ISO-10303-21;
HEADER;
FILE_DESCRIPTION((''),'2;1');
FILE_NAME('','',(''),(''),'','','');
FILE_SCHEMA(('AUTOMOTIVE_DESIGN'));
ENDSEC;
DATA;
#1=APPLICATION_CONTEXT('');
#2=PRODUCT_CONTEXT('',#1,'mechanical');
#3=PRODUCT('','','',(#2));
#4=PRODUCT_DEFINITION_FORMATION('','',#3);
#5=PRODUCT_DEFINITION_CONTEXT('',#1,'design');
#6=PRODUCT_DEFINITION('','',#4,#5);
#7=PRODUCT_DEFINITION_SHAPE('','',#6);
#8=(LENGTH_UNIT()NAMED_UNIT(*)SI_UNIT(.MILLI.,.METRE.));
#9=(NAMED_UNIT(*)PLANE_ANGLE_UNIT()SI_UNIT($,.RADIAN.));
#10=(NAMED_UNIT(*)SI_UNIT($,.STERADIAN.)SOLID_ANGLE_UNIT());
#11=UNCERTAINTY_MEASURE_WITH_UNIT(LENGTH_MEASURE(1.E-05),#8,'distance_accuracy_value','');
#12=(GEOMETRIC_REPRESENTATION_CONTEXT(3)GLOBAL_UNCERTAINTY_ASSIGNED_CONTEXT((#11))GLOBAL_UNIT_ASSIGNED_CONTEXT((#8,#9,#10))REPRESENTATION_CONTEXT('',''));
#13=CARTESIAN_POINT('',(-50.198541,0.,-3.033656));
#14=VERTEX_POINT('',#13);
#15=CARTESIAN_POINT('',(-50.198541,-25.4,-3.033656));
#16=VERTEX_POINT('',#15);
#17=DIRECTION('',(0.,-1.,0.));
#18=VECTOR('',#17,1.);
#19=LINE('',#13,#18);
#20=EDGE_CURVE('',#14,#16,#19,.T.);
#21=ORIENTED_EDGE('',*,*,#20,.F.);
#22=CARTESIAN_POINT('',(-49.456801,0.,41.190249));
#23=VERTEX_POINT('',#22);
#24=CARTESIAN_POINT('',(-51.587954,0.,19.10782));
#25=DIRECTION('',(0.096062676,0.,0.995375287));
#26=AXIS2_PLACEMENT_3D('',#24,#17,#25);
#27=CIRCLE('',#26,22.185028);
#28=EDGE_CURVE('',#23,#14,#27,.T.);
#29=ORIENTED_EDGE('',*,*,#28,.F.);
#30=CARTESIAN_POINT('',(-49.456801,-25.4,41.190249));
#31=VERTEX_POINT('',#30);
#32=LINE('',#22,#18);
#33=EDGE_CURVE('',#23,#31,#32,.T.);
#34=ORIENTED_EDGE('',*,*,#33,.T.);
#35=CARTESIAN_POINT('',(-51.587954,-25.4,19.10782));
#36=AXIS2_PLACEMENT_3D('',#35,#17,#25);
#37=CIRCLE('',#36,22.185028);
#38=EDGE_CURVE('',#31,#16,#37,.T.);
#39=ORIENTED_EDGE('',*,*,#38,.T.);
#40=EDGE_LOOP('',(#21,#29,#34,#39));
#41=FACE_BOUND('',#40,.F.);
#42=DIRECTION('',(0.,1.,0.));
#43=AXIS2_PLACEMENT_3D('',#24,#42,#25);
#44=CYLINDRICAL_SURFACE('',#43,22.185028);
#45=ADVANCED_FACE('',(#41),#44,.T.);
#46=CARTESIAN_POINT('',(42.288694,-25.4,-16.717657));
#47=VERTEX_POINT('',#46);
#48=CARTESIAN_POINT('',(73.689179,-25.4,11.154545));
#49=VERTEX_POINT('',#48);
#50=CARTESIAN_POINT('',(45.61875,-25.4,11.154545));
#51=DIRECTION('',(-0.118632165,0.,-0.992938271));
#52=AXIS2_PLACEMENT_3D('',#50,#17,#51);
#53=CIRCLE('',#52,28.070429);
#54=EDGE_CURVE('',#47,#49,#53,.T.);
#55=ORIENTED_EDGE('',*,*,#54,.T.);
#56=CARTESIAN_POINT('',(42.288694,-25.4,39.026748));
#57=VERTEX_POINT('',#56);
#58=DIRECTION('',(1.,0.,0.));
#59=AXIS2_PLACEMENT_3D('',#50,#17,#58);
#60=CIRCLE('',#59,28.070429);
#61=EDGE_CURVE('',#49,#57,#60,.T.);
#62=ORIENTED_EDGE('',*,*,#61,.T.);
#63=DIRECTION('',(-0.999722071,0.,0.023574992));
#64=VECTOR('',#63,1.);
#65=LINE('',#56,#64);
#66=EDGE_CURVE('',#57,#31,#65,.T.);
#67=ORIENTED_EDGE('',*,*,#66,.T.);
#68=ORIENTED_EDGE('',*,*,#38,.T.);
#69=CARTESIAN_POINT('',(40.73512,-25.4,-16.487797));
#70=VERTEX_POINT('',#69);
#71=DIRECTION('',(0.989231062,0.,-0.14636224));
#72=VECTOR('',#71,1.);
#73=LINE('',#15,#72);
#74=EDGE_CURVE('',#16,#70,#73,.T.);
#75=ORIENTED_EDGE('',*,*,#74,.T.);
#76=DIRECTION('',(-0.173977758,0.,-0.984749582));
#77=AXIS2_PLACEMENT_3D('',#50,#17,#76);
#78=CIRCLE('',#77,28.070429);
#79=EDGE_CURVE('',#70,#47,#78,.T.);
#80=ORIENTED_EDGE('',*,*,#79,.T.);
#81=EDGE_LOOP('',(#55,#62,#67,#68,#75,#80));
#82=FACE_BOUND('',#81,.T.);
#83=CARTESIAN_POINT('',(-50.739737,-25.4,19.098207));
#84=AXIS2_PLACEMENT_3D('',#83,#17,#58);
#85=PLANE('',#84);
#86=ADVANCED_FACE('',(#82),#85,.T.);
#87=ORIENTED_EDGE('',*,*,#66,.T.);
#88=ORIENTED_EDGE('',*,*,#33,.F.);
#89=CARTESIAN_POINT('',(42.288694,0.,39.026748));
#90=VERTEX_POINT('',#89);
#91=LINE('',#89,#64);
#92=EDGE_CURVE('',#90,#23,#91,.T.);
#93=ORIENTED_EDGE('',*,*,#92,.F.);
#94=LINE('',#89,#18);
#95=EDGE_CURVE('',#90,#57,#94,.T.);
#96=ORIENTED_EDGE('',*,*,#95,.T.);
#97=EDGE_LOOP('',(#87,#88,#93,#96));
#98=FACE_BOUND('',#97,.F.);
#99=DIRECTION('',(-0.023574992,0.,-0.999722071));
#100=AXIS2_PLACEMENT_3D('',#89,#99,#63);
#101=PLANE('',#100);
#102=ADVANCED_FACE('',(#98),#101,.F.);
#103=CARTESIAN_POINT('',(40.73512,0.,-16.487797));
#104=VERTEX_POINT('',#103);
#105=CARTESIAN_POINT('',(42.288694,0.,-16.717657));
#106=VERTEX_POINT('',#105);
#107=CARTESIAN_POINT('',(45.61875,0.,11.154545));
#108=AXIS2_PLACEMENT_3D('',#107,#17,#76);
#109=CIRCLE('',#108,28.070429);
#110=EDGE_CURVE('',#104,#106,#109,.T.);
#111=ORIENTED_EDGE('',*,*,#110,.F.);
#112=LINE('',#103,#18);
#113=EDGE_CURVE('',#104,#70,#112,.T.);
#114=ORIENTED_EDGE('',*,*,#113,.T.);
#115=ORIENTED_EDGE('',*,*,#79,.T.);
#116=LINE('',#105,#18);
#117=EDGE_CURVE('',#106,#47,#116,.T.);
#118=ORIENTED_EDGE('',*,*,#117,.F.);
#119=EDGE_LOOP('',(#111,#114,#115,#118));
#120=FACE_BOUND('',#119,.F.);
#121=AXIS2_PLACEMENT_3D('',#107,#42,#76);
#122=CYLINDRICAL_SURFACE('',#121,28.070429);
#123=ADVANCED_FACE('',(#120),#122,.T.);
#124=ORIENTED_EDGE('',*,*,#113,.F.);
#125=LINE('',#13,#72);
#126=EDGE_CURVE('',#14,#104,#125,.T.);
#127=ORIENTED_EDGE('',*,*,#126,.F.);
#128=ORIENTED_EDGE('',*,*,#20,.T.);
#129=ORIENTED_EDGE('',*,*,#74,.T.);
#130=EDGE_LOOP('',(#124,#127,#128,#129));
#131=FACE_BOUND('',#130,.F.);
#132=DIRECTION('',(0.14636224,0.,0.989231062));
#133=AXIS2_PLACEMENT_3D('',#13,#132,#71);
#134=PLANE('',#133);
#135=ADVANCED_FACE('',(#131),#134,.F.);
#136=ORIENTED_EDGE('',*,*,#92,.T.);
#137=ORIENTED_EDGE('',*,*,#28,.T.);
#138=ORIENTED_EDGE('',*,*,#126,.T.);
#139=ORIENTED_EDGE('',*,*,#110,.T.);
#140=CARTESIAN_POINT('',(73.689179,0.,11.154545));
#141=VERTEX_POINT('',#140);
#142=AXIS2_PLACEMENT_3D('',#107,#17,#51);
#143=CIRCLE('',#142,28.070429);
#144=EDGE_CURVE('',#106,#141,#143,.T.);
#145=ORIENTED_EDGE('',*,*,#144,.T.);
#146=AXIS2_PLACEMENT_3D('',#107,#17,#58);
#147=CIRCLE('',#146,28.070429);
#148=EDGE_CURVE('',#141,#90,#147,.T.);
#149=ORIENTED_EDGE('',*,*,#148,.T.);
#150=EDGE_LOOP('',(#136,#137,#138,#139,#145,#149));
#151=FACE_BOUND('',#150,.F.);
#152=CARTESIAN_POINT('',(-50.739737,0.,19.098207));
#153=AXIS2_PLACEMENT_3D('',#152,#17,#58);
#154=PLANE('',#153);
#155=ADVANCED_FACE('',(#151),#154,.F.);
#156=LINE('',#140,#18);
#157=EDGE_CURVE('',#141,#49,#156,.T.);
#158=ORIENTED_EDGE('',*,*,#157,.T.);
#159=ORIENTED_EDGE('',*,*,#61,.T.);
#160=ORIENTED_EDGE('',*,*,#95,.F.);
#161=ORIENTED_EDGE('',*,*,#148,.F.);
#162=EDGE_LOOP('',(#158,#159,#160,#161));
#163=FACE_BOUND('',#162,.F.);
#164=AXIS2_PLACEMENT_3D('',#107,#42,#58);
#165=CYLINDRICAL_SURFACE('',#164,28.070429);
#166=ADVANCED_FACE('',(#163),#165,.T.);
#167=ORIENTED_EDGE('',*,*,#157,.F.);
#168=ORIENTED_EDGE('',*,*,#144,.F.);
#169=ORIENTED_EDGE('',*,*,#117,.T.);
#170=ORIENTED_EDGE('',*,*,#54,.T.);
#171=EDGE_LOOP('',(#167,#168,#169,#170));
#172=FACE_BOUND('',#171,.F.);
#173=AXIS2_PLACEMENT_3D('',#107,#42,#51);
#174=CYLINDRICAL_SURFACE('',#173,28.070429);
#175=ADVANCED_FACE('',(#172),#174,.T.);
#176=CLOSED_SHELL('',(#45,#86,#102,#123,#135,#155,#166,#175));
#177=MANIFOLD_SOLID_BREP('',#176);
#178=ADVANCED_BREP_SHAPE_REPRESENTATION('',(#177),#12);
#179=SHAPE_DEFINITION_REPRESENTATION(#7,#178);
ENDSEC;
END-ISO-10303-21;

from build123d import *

# Parameters (mm, degrees)
F1_DEPTH = 25.4


with BuildPart() as f1:
    # F0 (on Front) → F1 (new body)
    with BuildSketch(Plane.XZ):
        with BuildLine():
            ThreePointArc((-50.1985410515, -3.0336563379), (-35.4169982156, 3.9198104718), (-29.4029262425, 19.1078204662))
            ThreePointArc((-29.4029262425, 19.1078204662), (-35.1645690655, 34.0225073814), (-49.4568010062, 41.1902490029))
            ThreePointArc((-49.4568010062, 41.1902490029), (-73.7698622783, 19.479863808), (-50.1985410515, -3.0336563379))
        make_face()
        with BuildLine():
            ThreePointArc((-49.4568010062, 41.1902490029), (-35.1645690655, 34.0225073814), (-29.4029262425, 19.1078204662))
            ThreePointArc((-29.4029262425, 19.1078204662), (-35.4169982156, 3.9198104718), (-50.1985410515, -3.0336563379))
            Line((-50.1985410515, -3.0336563379), (40.7351199122, -16.4877974842))
            ThreePointArc((40.7351199122, -16.4877974842), (17.5593068058, 11.9397889616), (42.2886944167, 39.0267484192))
            Line((42.2886944167, 39.0267484192), (-49.4568010062, 41.1902490029))
        make_face()
        with BuildLine():
            ThreePointArc((73.6891788728, 11.1545454711), (64.2530314153, 32.147699839), (42.2886944167, 39.0267484192))
            ThreePointArc((42.2886944167, 39.0267484192), (17.5593068058, 11.9397889616), (40.7351199122, -16.4877974842))
            Line((40.7351199122, -16.4877974842), (42.2886944167, -16.7176574771))
            ThreePointArc((42.2886944167, -16.7176574771), (64.2530314153, -9.8386088968), (73.6891788728, 11.1545454711))
        make_face()
        with BuildLine():
            Line((42.2886944167, -16.7176574771), (40.7351199122, -16.4877974842))
            ThreePointArc((40.7351199122, -16.4877974842), (41.5102993213, -16.6135945486), (42.2886944167, -16.7176574771))
        make_face()
    extrude(amount=F1_DEPTH)


solid = f1.part
